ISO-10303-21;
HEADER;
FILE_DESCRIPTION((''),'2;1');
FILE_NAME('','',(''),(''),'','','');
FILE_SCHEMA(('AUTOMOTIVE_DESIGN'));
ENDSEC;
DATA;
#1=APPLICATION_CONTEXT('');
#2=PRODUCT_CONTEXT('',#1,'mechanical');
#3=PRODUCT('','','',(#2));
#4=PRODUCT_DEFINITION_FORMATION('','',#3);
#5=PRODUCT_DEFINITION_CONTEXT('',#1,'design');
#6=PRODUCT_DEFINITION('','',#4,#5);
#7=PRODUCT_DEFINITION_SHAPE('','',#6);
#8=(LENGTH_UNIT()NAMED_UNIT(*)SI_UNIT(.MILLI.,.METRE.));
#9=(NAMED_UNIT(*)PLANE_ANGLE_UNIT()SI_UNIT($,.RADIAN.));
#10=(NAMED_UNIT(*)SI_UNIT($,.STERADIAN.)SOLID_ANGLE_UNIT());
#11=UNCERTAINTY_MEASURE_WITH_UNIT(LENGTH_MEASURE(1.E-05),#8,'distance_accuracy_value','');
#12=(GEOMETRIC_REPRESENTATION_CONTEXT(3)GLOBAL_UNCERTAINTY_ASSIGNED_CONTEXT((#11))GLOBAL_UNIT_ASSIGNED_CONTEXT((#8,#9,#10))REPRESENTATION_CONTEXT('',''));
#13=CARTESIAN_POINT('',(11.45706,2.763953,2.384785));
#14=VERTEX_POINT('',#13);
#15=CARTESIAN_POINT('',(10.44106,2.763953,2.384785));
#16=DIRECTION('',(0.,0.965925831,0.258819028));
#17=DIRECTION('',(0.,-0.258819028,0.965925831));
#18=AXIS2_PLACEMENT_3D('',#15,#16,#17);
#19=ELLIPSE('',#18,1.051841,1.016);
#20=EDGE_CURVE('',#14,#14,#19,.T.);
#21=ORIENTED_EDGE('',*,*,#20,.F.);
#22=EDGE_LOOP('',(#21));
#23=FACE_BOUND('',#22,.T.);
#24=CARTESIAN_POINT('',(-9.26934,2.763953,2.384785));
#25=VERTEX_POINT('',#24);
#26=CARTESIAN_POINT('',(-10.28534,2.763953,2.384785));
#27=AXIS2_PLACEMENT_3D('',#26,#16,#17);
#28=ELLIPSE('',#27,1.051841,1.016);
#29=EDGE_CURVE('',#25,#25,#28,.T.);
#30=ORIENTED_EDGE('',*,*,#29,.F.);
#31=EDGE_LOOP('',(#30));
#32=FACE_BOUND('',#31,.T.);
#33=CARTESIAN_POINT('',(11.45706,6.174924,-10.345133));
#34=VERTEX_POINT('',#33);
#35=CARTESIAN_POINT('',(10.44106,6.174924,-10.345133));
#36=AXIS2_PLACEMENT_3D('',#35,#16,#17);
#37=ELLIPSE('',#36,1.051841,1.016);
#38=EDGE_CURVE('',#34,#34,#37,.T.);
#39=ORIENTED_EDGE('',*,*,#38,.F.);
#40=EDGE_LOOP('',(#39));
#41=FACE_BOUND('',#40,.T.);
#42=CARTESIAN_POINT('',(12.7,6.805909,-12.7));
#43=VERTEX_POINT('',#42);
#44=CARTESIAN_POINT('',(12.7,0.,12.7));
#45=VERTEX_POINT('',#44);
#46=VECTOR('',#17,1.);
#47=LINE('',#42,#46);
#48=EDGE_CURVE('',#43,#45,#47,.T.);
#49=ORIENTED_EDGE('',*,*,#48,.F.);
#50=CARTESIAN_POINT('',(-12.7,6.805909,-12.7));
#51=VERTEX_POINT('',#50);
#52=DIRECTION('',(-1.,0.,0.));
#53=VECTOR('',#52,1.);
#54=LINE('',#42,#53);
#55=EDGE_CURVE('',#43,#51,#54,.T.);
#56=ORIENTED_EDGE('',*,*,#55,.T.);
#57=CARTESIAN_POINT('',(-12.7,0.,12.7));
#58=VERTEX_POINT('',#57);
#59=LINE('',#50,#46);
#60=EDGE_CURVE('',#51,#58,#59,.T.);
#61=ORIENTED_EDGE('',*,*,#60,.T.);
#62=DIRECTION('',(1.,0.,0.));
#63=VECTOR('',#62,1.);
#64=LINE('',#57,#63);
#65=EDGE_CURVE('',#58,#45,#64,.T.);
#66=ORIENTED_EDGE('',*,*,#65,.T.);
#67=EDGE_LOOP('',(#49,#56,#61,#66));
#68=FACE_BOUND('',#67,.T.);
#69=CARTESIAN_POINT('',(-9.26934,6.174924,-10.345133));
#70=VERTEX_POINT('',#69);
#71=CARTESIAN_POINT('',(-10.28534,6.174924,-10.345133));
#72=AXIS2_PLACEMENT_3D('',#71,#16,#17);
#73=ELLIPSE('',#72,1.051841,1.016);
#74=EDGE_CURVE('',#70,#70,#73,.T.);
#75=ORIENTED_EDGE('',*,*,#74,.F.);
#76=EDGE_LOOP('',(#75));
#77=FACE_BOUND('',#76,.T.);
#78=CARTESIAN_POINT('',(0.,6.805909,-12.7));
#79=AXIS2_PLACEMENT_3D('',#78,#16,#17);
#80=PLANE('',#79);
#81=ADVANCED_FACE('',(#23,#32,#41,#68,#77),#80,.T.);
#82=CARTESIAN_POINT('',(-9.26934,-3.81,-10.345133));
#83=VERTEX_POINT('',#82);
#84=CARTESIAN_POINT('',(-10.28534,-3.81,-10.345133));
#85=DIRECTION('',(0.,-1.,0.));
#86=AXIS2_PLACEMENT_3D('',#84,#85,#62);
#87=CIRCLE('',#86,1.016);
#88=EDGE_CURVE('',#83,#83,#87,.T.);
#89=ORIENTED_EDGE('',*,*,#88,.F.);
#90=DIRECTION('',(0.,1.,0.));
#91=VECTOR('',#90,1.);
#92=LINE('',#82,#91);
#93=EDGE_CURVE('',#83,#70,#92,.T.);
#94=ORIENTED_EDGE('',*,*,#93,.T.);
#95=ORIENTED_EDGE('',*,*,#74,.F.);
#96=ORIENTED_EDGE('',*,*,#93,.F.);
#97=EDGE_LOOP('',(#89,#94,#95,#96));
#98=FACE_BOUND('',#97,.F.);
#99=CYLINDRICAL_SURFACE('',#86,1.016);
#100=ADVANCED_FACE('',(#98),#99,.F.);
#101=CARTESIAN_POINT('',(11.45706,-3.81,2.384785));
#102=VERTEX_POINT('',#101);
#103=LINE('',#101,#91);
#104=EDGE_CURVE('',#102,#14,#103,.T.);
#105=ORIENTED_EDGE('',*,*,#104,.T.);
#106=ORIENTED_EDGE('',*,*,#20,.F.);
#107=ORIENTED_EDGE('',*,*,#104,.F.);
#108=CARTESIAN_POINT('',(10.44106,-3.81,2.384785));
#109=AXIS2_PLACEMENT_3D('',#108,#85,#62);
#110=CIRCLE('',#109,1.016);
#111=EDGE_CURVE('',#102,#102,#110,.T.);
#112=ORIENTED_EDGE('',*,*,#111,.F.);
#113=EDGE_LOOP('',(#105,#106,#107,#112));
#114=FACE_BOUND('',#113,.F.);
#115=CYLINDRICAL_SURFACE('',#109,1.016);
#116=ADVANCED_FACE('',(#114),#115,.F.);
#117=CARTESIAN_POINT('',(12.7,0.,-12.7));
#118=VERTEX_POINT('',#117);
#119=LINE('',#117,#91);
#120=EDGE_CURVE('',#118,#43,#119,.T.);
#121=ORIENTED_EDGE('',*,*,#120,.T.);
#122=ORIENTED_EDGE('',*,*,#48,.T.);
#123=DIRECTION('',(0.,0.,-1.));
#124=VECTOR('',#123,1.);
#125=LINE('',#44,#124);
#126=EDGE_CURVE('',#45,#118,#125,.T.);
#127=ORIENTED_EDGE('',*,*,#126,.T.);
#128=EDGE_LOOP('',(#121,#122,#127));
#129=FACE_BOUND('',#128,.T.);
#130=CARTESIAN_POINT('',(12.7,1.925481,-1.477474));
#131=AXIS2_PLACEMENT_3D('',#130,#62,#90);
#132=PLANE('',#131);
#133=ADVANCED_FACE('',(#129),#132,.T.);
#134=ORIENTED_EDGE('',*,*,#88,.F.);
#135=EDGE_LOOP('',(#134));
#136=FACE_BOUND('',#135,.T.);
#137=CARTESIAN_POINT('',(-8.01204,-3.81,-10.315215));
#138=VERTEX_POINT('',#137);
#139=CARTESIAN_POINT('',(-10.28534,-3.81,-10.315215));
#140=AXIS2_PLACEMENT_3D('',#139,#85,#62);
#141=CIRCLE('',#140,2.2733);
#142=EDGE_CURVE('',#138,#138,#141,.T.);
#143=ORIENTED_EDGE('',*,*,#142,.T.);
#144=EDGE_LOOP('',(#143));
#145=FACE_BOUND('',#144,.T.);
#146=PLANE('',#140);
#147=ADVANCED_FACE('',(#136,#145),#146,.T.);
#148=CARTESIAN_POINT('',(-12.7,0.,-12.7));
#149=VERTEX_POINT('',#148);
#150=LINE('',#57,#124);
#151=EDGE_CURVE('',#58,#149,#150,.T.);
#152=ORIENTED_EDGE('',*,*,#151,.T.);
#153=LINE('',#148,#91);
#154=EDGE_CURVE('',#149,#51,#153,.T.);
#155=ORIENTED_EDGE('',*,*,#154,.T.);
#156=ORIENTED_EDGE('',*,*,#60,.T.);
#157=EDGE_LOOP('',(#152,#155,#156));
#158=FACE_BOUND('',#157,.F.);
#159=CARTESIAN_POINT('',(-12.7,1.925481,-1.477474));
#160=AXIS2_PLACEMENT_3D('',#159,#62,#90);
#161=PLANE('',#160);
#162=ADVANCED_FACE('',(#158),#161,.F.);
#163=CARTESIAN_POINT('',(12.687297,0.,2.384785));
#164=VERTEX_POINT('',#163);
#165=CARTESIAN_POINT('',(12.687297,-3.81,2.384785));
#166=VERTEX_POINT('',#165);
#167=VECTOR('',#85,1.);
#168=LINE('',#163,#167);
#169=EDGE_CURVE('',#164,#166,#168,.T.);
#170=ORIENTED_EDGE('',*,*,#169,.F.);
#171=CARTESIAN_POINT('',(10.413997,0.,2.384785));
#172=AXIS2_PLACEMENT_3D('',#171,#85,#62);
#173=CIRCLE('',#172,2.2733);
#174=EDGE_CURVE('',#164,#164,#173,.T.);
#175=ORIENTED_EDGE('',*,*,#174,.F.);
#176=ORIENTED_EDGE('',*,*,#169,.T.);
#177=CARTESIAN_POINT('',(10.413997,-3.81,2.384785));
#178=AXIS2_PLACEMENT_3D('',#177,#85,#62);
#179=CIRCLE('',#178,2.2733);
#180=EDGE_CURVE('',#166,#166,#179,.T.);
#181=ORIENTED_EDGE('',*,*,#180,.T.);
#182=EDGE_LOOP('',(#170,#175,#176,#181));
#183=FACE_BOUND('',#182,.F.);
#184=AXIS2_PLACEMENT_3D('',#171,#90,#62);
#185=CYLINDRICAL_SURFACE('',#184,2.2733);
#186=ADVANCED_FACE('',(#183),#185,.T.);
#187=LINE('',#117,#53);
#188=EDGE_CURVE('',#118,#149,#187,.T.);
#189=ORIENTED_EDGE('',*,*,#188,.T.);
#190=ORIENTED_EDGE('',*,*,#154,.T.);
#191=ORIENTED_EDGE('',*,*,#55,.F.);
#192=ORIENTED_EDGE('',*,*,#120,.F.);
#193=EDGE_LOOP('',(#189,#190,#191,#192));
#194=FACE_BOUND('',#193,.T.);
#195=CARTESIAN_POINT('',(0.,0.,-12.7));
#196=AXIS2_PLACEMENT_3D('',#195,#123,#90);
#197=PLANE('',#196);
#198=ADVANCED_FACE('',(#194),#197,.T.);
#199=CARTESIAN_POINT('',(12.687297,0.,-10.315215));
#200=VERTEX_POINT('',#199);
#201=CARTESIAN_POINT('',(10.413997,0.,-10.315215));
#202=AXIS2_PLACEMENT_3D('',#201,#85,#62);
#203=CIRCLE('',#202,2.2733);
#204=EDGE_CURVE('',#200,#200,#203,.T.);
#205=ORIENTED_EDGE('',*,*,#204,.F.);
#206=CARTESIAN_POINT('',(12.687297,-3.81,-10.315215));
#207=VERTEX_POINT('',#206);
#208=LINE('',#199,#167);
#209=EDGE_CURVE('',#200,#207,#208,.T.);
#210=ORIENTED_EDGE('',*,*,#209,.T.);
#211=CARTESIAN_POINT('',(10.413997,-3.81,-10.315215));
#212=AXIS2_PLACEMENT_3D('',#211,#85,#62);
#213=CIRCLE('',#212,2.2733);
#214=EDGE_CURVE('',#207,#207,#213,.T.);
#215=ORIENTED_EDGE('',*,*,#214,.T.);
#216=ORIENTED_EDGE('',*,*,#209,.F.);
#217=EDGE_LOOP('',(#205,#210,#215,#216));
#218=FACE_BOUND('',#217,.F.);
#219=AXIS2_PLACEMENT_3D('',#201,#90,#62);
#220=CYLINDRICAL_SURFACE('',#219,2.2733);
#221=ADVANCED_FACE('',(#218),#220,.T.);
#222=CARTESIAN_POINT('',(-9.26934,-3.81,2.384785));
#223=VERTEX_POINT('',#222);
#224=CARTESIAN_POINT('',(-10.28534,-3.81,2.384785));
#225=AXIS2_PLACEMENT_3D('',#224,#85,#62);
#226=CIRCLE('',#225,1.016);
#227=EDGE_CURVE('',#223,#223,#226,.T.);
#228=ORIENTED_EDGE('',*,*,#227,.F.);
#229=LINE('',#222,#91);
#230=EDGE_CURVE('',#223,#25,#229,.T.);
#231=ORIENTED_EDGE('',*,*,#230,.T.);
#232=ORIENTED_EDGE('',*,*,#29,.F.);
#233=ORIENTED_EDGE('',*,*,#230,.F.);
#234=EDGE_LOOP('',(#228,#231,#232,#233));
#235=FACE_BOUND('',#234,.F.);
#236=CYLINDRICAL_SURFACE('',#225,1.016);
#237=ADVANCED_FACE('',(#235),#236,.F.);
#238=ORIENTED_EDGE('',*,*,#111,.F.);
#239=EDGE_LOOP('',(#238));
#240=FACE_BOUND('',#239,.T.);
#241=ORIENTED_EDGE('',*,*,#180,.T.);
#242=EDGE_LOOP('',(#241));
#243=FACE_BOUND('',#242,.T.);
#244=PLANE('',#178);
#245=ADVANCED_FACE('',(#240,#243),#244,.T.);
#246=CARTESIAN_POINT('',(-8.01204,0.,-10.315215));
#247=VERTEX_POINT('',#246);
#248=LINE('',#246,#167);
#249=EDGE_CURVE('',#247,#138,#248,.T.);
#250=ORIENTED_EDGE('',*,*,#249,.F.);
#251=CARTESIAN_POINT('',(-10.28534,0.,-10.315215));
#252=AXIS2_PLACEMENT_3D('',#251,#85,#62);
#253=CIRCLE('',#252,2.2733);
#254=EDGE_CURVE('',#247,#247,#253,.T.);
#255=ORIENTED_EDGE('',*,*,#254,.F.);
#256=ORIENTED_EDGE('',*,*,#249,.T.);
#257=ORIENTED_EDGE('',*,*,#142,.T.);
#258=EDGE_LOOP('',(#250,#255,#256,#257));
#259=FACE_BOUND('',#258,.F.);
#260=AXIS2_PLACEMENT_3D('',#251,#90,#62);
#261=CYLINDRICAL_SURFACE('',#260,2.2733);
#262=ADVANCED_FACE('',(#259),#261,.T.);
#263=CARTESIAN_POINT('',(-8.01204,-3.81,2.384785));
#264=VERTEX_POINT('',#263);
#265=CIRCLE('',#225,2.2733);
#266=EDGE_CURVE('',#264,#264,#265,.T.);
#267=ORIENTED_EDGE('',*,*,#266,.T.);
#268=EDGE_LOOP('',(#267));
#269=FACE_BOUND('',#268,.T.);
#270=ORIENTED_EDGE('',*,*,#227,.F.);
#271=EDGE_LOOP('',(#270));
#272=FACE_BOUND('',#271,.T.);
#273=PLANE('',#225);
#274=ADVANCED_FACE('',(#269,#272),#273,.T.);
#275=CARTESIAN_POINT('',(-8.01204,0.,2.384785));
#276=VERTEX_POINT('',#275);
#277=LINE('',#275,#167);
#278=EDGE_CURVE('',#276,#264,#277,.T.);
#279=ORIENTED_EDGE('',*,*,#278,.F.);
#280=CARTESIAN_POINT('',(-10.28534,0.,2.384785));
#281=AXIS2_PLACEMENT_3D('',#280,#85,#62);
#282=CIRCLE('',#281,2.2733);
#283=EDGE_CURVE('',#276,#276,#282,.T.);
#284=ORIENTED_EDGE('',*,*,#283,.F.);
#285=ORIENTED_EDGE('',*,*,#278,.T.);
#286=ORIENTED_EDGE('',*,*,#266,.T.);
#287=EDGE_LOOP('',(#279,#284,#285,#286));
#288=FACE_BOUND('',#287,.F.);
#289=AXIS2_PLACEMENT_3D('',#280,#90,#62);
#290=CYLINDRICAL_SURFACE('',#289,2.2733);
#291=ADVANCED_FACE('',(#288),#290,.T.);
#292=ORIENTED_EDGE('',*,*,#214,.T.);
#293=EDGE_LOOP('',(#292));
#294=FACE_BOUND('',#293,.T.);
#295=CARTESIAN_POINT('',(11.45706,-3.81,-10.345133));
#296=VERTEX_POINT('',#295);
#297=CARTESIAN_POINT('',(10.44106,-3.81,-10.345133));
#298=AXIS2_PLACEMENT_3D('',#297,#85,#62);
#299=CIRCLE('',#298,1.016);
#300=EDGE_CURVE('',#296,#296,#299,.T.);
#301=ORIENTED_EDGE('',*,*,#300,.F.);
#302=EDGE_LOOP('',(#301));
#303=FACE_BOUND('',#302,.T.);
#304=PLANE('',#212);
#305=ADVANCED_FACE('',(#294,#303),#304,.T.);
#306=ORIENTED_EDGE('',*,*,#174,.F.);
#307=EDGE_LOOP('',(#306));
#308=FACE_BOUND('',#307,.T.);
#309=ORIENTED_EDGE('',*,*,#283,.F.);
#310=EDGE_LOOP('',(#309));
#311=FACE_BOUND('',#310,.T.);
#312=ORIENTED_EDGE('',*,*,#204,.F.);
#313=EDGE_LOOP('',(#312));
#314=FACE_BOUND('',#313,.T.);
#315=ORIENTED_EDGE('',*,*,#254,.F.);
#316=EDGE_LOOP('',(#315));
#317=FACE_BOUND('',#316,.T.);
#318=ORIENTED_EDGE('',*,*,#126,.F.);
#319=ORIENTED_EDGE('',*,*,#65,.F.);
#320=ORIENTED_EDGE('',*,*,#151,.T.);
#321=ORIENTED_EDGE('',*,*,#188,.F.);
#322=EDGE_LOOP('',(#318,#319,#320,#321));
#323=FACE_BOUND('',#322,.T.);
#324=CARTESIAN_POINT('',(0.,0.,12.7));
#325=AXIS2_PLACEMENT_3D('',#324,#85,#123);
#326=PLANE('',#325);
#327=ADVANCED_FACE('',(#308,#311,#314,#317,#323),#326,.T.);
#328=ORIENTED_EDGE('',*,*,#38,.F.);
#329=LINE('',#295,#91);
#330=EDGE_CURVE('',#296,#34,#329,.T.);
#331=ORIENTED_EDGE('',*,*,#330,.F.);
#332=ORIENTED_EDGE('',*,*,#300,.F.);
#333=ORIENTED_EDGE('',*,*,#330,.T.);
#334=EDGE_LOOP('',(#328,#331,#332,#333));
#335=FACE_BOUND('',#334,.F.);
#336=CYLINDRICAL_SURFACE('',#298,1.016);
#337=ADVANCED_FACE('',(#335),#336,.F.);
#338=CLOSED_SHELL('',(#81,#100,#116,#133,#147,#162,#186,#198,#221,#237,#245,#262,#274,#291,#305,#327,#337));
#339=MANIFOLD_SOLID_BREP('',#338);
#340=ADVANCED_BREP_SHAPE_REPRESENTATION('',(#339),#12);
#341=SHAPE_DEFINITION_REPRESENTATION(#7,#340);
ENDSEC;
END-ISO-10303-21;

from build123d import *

# Parameters (mm, degrees)
F1_DEPTH = 12.7
F2_R     = 2.2733
F3_DEPTH = 3.81
F4_R     = 1.016
F5_DEPTH = 10.616909


with BuildPart() as f1:
    # F0 (on Right) → F1 (new body, symmetric)
    with BuildSketch(Plane.YZ):
        Polygon((6.805909, -12.7), (0, 12.7), (0, -12.7), align=None)
    extrude(amount=F1_DEPTH, both=True)

    # F2 (on face) → F3 (join)
    with BuildSketch(Plane.XZ):
        with Locations((-10.28534, -10.315215)):
            Circle(F2_R)
        with Locations((10.413997, -10.315215)):
            Circle(F2_R)
        with Locations((-10.28534, 2.384785)):
            Circle(F2_R)
        with Locations((10.413997, 2.384785)):
            Circle(F2_R)
    extrude(amount=F3_DEPTH)

    # F4 (on face) → F5 (cut, through all)
    with BuildSketch(Plane.XZ.offset(3.81)):
        with Locations((-10.28534, 2.384785)):
            Circle(F4_R)
        with Locations((-10.28534, -10.345133)):
            Circle(F4_R)
        with Locations((10.44106, 2.384785)):
            Circle(F4_R)
        with Locations((10.44106, -10.345133)):
            Circle(F4_R)
    extrude(amount=-F5_DEPTH, mode=Mode.SUBTRACT)


solid = f1.part
